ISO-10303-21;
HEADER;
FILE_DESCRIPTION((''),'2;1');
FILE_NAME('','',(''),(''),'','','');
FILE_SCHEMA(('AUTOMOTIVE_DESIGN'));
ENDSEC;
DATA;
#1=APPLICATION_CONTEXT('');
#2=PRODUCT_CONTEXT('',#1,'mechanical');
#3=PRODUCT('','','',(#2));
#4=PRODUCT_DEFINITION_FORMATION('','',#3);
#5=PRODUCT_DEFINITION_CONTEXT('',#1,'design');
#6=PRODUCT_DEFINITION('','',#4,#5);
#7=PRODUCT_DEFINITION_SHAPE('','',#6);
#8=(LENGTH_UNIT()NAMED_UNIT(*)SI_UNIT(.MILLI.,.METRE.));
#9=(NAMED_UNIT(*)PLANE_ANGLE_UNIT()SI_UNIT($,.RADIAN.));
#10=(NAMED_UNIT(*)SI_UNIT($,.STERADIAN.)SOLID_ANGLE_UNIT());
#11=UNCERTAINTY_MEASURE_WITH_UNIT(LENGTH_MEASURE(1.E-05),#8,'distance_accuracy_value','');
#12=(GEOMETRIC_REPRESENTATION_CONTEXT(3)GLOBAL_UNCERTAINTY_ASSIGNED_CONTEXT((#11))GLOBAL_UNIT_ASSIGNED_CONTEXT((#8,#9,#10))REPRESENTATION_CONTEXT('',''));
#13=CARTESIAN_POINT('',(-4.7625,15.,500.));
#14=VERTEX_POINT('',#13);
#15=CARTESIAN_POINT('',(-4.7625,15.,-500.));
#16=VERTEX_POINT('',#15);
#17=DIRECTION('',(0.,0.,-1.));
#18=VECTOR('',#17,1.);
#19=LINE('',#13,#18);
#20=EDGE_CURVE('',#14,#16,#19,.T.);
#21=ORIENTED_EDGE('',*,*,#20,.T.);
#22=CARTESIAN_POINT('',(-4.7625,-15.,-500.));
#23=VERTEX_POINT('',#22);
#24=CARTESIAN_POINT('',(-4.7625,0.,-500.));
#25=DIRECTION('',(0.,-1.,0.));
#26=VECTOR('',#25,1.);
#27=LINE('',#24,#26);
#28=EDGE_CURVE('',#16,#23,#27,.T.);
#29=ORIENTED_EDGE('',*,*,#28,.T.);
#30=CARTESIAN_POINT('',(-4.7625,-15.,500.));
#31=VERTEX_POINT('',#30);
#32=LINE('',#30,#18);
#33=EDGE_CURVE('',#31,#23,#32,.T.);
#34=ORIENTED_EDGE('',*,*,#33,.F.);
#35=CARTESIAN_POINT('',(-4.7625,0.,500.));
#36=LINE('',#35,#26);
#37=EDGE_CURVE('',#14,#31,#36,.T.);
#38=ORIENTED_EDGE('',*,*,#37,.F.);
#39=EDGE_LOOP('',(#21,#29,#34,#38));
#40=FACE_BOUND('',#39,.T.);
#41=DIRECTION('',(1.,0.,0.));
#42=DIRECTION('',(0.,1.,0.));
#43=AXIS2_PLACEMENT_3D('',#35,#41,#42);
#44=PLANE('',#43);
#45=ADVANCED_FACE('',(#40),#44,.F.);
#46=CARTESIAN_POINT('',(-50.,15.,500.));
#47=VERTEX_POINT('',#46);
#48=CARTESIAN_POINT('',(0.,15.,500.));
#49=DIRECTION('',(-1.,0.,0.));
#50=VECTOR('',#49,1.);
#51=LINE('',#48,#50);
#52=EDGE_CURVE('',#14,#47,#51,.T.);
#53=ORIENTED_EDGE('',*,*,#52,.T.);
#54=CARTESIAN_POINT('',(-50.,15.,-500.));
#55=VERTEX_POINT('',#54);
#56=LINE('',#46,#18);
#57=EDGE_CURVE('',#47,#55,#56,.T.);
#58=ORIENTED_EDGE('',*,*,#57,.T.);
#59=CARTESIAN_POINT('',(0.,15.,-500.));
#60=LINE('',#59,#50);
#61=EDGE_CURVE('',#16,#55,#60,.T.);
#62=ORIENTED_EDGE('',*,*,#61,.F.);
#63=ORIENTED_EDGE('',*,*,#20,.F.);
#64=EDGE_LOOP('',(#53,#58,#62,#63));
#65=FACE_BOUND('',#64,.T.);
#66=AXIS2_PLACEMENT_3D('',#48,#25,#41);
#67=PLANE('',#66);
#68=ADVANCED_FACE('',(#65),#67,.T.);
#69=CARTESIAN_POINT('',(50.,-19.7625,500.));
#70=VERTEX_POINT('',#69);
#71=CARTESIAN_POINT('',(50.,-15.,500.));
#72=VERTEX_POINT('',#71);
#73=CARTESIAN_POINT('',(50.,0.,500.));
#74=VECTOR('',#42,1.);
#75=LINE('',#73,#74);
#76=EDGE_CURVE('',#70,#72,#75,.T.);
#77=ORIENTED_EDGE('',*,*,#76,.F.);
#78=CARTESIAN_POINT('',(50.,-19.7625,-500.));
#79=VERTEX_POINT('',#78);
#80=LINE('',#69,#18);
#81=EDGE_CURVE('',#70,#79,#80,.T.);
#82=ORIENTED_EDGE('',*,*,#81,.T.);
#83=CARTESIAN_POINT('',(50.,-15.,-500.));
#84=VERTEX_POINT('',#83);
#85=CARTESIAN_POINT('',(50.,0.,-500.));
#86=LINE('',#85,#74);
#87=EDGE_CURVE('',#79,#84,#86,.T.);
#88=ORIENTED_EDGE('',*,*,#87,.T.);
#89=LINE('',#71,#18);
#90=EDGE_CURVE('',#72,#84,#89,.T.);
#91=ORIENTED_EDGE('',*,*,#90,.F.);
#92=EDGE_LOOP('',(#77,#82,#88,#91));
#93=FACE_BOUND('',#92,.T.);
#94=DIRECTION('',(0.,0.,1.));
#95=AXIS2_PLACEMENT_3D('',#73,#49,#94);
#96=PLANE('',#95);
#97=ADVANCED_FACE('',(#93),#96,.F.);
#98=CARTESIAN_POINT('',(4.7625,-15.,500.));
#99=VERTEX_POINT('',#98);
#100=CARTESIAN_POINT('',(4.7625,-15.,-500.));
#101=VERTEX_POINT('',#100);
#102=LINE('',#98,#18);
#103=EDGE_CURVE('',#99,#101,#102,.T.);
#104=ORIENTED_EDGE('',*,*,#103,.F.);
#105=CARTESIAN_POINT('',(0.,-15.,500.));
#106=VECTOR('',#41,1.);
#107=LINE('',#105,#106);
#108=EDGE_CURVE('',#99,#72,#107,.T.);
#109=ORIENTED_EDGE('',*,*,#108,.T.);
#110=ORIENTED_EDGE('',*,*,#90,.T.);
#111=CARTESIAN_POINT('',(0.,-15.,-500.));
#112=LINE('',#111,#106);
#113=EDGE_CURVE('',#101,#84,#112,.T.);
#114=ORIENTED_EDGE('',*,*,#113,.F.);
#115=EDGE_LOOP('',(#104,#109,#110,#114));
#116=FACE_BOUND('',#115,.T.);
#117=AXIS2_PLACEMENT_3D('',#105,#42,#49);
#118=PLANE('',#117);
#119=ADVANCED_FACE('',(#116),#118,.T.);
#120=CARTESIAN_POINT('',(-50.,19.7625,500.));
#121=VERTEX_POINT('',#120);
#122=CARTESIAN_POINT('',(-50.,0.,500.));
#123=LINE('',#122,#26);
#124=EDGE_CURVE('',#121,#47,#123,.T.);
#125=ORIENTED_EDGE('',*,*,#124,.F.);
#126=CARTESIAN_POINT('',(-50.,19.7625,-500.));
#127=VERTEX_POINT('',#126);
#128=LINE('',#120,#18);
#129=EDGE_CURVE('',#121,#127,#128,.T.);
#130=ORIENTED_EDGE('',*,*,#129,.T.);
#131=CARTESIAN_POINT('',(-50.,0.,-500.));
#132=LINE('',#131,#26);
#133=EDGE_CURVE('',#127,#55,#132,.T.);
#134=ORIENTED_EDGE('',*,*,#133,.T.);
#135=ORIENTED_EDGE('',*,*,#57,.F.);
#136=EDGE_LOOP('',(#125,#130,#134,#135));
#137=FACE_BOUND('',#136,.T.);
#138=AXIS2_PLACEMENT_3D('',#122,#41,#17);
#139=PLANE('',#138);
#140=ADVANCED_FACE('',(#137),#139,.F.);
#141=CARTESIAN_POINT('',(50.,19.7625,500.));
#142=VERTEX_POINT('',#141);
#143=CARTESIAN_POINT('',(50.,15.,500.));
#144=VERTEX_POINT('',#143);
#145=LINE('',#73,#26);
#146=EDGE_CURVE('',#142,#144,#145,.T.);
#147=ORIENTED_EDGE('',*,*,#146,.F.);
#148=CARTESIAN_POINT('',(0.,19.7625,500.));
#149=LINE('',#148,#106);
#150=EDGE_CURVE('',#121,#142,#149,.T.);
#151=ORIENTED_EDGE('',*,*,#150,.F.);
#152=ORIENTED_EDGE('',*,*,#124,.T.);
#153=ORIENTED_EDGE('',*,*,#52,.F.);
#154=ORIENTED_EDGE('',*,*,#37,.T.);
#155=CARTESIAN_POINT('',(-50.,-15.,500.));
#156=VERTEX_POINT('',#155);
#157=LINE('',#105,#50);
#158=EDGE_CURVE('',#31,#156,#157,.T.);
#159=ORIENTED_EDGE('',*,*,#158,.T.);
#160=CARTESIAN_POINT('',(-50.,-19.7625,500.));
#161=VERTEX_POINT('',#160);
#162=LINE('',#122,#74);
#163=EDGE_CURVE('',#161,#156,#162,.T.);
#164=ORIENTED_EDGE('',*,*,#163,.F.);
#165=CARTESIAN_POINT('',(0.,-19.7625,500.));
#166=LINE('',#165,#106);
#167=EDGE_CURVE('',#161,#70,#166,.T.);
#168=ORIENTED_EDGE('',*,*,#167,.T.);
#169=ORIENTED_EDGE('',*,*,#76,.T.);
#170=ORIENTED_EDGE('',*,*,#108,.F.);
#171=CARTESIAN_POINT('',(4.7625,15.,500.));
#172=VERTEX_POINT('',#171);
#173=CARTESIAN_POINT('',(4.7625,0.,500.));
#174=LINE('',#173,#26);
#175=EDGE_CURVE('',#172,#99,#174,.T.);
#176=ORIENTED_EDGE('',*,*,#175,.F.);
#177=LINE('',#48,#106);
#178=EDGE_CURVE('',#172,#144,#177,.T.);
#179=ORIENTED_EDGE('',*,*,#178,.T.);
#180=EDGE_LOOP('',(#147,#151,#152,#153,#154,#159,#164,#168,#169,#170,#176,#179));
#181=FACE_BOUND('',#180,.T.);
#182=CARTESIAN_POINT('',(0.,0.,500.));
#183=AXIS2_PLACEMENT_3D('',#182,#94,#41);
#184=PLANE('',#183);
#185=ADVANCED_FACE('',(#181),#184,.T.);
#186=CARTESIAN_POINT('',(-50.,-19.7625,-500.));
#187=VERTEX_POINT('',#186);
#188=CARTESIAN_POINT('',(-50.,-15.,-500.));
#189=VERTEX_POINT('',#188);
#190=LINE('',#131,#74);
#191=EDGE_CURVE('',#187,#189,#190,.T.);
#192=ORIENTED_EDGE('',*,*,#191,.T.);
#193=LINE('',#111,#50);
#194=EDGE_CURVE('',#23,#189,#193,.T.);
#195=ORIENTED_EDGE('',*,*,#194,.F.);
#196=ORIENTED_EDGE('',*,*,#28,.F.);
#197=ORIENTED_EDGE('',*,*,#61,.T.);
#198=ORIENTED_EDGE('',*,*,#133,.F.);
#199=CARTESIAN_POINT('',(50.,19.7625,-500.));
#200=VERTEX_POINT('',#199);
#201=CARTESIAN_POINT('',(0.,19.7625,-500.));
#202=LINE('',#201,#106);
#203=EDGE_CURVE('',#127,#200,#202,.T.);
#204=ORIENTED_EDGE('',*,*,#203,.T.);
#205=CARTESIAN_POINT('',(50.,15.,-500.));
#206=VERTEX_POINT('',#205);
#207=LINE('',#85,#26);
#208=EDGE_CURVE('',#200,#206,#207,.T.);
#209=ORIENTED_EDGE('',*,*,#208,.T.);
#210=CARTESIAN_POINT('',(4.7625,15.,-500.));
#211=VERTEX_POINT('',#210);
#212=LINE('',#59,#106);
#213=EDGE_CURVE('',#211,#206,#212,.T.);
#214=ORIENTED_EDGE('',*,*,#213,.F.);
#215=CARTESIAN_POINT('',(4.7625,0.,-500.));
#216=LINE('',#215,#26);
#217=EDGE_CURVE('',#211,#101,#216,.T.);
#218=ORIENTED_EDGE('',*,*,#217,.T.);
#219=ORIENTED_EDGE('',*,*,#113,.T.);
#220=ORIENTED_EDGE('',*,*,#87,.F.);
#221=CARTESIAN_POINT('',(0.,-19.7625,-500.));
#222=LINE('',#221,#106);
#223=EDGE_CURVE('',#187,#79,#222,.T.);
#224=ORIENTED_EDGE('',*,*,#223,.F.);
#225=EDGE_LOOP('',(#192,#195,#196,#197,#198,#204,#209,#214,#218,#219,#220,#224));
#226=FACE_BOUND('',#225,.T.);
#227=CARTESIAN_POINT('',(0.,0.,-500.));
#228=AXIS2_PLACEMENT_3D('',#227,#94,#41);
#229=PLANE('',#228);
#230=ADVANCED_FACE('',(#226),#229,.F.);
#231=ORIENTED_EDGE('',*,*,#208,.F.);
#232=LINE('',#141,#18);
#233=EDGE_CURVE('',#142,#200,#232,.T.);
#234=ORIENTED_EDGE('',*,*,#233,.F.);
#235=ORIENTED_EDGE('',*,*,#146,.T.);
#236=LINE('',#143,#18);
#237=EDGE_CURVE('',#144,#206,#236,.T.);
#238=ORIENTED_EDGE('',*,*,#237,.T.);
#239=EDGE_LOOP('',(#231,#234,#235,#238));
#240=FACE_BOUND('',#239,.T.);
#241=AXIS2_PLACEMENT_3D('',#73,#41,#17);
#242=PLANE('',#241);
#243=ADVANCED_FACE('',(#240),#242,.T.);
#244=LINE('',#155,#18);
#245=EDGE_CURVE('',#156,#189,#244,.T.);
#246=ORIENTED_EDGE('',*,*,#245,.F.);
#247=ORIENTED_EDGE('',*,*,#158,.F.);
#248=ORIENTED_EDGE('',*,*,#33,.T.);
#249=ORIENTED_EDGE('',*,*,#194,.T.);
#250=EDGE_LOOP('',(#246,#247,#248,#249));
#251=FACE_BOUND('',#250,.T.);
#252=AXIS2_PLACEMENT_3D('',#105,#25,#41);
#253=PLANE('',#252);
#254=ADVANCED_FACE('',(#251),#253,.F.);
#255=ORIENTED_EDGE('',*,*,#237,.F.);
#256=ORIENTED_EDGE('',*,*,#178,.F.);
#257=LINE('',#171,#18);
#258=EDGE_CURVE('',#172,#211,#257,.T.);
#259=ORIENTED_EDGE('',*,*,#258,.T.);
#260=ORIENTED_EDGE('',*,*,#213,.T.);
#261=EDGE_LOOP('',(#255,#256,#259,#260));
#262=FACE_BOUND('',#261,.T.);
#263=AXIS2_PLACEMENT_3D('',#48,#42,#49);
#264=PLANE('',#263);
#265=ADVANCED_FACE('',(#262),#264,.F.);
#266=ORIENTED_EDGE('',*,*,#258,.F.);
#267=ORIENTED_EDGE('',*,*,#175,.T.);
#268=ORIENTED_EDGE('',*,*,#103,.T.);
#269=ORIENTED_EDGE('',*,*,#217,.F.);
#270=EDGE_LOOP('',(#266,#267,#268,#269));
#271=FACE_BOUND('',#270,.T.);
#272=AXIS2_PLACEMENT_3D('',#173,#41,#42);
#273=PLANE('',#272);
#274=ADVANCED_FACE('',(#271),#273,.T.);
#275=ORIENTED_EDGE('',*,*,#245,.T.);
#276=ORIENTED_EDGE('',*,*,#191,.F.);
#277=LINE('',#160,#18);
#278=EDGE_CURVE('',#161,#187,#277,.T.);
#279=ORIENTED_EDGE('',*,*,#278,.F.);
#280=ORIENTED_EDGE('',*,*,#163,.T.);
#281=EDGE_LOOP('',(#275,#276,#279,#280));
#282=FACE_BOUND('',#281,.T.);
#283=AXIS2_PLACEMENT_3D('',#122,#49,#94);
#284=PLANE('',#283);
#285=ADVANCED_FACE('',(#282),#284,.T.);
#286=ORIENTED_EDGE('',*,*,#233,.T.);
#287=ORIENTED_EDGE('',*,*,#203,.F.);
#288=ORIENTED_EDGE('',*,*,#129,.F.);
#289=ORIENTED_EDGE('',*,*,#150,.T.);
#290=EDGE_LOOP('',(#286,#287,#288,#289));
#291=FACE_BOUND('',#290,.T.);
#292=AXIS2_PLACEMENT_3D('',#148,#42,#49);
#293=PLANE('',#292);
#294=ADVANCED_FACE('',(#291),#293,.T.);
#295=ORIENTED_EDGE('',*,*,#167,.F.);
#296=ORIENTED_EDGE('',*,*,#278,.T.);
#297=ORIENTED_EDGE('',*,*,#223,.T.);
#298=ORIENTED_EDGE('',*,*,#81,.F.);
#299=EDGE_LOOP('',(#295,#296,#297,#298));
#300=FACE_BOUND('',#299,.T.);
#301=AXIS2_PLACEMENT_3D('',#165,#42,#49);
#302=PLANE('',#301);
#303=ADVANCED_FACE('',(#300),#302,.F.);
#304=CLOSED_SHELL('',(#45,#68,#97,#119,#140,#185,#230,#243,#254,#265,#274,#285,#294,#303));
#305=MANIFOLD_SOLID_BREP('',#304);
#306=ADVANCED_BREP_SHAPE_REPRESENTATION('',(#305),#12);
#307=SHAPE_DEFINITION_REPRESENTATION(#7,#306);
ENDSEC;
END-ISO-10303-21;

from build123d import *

# Parameters (mm, degrees)
SALIENTE_EXTRUIR1_DEPTH = 500


with BuildPart() as part:
    # Croquis1 → Saliente-Extruir1 (new, symmetric)
    with BuildSketch(Plane.XY):
        Polygon((50, 19.7625), (0, 19.7625), (0, 0), (4.7625, 0), (4.7625, 15), (50, 15), align=None)
        Polygon((4.7625, 0), (0, 0), (0, -19.7625), (50, -19.7625), (50, -15), (4.7625, -15), align=None)
        Polygon((0, 0), (0, 19.7625), (-50, 19.7625), (-50, 15), (-4.7625, 15), (-4.7625, 0), align=None)
        Polygon((0, -19.7625), (0, 0), (-4.7625, 0), (-4.7625, -15), (-50, -15), (-50, -19.7625), align=None)
    extrude(amount=SALIENTE_EXTRUIR1_DEPTH, both=True)


solid = part.part
